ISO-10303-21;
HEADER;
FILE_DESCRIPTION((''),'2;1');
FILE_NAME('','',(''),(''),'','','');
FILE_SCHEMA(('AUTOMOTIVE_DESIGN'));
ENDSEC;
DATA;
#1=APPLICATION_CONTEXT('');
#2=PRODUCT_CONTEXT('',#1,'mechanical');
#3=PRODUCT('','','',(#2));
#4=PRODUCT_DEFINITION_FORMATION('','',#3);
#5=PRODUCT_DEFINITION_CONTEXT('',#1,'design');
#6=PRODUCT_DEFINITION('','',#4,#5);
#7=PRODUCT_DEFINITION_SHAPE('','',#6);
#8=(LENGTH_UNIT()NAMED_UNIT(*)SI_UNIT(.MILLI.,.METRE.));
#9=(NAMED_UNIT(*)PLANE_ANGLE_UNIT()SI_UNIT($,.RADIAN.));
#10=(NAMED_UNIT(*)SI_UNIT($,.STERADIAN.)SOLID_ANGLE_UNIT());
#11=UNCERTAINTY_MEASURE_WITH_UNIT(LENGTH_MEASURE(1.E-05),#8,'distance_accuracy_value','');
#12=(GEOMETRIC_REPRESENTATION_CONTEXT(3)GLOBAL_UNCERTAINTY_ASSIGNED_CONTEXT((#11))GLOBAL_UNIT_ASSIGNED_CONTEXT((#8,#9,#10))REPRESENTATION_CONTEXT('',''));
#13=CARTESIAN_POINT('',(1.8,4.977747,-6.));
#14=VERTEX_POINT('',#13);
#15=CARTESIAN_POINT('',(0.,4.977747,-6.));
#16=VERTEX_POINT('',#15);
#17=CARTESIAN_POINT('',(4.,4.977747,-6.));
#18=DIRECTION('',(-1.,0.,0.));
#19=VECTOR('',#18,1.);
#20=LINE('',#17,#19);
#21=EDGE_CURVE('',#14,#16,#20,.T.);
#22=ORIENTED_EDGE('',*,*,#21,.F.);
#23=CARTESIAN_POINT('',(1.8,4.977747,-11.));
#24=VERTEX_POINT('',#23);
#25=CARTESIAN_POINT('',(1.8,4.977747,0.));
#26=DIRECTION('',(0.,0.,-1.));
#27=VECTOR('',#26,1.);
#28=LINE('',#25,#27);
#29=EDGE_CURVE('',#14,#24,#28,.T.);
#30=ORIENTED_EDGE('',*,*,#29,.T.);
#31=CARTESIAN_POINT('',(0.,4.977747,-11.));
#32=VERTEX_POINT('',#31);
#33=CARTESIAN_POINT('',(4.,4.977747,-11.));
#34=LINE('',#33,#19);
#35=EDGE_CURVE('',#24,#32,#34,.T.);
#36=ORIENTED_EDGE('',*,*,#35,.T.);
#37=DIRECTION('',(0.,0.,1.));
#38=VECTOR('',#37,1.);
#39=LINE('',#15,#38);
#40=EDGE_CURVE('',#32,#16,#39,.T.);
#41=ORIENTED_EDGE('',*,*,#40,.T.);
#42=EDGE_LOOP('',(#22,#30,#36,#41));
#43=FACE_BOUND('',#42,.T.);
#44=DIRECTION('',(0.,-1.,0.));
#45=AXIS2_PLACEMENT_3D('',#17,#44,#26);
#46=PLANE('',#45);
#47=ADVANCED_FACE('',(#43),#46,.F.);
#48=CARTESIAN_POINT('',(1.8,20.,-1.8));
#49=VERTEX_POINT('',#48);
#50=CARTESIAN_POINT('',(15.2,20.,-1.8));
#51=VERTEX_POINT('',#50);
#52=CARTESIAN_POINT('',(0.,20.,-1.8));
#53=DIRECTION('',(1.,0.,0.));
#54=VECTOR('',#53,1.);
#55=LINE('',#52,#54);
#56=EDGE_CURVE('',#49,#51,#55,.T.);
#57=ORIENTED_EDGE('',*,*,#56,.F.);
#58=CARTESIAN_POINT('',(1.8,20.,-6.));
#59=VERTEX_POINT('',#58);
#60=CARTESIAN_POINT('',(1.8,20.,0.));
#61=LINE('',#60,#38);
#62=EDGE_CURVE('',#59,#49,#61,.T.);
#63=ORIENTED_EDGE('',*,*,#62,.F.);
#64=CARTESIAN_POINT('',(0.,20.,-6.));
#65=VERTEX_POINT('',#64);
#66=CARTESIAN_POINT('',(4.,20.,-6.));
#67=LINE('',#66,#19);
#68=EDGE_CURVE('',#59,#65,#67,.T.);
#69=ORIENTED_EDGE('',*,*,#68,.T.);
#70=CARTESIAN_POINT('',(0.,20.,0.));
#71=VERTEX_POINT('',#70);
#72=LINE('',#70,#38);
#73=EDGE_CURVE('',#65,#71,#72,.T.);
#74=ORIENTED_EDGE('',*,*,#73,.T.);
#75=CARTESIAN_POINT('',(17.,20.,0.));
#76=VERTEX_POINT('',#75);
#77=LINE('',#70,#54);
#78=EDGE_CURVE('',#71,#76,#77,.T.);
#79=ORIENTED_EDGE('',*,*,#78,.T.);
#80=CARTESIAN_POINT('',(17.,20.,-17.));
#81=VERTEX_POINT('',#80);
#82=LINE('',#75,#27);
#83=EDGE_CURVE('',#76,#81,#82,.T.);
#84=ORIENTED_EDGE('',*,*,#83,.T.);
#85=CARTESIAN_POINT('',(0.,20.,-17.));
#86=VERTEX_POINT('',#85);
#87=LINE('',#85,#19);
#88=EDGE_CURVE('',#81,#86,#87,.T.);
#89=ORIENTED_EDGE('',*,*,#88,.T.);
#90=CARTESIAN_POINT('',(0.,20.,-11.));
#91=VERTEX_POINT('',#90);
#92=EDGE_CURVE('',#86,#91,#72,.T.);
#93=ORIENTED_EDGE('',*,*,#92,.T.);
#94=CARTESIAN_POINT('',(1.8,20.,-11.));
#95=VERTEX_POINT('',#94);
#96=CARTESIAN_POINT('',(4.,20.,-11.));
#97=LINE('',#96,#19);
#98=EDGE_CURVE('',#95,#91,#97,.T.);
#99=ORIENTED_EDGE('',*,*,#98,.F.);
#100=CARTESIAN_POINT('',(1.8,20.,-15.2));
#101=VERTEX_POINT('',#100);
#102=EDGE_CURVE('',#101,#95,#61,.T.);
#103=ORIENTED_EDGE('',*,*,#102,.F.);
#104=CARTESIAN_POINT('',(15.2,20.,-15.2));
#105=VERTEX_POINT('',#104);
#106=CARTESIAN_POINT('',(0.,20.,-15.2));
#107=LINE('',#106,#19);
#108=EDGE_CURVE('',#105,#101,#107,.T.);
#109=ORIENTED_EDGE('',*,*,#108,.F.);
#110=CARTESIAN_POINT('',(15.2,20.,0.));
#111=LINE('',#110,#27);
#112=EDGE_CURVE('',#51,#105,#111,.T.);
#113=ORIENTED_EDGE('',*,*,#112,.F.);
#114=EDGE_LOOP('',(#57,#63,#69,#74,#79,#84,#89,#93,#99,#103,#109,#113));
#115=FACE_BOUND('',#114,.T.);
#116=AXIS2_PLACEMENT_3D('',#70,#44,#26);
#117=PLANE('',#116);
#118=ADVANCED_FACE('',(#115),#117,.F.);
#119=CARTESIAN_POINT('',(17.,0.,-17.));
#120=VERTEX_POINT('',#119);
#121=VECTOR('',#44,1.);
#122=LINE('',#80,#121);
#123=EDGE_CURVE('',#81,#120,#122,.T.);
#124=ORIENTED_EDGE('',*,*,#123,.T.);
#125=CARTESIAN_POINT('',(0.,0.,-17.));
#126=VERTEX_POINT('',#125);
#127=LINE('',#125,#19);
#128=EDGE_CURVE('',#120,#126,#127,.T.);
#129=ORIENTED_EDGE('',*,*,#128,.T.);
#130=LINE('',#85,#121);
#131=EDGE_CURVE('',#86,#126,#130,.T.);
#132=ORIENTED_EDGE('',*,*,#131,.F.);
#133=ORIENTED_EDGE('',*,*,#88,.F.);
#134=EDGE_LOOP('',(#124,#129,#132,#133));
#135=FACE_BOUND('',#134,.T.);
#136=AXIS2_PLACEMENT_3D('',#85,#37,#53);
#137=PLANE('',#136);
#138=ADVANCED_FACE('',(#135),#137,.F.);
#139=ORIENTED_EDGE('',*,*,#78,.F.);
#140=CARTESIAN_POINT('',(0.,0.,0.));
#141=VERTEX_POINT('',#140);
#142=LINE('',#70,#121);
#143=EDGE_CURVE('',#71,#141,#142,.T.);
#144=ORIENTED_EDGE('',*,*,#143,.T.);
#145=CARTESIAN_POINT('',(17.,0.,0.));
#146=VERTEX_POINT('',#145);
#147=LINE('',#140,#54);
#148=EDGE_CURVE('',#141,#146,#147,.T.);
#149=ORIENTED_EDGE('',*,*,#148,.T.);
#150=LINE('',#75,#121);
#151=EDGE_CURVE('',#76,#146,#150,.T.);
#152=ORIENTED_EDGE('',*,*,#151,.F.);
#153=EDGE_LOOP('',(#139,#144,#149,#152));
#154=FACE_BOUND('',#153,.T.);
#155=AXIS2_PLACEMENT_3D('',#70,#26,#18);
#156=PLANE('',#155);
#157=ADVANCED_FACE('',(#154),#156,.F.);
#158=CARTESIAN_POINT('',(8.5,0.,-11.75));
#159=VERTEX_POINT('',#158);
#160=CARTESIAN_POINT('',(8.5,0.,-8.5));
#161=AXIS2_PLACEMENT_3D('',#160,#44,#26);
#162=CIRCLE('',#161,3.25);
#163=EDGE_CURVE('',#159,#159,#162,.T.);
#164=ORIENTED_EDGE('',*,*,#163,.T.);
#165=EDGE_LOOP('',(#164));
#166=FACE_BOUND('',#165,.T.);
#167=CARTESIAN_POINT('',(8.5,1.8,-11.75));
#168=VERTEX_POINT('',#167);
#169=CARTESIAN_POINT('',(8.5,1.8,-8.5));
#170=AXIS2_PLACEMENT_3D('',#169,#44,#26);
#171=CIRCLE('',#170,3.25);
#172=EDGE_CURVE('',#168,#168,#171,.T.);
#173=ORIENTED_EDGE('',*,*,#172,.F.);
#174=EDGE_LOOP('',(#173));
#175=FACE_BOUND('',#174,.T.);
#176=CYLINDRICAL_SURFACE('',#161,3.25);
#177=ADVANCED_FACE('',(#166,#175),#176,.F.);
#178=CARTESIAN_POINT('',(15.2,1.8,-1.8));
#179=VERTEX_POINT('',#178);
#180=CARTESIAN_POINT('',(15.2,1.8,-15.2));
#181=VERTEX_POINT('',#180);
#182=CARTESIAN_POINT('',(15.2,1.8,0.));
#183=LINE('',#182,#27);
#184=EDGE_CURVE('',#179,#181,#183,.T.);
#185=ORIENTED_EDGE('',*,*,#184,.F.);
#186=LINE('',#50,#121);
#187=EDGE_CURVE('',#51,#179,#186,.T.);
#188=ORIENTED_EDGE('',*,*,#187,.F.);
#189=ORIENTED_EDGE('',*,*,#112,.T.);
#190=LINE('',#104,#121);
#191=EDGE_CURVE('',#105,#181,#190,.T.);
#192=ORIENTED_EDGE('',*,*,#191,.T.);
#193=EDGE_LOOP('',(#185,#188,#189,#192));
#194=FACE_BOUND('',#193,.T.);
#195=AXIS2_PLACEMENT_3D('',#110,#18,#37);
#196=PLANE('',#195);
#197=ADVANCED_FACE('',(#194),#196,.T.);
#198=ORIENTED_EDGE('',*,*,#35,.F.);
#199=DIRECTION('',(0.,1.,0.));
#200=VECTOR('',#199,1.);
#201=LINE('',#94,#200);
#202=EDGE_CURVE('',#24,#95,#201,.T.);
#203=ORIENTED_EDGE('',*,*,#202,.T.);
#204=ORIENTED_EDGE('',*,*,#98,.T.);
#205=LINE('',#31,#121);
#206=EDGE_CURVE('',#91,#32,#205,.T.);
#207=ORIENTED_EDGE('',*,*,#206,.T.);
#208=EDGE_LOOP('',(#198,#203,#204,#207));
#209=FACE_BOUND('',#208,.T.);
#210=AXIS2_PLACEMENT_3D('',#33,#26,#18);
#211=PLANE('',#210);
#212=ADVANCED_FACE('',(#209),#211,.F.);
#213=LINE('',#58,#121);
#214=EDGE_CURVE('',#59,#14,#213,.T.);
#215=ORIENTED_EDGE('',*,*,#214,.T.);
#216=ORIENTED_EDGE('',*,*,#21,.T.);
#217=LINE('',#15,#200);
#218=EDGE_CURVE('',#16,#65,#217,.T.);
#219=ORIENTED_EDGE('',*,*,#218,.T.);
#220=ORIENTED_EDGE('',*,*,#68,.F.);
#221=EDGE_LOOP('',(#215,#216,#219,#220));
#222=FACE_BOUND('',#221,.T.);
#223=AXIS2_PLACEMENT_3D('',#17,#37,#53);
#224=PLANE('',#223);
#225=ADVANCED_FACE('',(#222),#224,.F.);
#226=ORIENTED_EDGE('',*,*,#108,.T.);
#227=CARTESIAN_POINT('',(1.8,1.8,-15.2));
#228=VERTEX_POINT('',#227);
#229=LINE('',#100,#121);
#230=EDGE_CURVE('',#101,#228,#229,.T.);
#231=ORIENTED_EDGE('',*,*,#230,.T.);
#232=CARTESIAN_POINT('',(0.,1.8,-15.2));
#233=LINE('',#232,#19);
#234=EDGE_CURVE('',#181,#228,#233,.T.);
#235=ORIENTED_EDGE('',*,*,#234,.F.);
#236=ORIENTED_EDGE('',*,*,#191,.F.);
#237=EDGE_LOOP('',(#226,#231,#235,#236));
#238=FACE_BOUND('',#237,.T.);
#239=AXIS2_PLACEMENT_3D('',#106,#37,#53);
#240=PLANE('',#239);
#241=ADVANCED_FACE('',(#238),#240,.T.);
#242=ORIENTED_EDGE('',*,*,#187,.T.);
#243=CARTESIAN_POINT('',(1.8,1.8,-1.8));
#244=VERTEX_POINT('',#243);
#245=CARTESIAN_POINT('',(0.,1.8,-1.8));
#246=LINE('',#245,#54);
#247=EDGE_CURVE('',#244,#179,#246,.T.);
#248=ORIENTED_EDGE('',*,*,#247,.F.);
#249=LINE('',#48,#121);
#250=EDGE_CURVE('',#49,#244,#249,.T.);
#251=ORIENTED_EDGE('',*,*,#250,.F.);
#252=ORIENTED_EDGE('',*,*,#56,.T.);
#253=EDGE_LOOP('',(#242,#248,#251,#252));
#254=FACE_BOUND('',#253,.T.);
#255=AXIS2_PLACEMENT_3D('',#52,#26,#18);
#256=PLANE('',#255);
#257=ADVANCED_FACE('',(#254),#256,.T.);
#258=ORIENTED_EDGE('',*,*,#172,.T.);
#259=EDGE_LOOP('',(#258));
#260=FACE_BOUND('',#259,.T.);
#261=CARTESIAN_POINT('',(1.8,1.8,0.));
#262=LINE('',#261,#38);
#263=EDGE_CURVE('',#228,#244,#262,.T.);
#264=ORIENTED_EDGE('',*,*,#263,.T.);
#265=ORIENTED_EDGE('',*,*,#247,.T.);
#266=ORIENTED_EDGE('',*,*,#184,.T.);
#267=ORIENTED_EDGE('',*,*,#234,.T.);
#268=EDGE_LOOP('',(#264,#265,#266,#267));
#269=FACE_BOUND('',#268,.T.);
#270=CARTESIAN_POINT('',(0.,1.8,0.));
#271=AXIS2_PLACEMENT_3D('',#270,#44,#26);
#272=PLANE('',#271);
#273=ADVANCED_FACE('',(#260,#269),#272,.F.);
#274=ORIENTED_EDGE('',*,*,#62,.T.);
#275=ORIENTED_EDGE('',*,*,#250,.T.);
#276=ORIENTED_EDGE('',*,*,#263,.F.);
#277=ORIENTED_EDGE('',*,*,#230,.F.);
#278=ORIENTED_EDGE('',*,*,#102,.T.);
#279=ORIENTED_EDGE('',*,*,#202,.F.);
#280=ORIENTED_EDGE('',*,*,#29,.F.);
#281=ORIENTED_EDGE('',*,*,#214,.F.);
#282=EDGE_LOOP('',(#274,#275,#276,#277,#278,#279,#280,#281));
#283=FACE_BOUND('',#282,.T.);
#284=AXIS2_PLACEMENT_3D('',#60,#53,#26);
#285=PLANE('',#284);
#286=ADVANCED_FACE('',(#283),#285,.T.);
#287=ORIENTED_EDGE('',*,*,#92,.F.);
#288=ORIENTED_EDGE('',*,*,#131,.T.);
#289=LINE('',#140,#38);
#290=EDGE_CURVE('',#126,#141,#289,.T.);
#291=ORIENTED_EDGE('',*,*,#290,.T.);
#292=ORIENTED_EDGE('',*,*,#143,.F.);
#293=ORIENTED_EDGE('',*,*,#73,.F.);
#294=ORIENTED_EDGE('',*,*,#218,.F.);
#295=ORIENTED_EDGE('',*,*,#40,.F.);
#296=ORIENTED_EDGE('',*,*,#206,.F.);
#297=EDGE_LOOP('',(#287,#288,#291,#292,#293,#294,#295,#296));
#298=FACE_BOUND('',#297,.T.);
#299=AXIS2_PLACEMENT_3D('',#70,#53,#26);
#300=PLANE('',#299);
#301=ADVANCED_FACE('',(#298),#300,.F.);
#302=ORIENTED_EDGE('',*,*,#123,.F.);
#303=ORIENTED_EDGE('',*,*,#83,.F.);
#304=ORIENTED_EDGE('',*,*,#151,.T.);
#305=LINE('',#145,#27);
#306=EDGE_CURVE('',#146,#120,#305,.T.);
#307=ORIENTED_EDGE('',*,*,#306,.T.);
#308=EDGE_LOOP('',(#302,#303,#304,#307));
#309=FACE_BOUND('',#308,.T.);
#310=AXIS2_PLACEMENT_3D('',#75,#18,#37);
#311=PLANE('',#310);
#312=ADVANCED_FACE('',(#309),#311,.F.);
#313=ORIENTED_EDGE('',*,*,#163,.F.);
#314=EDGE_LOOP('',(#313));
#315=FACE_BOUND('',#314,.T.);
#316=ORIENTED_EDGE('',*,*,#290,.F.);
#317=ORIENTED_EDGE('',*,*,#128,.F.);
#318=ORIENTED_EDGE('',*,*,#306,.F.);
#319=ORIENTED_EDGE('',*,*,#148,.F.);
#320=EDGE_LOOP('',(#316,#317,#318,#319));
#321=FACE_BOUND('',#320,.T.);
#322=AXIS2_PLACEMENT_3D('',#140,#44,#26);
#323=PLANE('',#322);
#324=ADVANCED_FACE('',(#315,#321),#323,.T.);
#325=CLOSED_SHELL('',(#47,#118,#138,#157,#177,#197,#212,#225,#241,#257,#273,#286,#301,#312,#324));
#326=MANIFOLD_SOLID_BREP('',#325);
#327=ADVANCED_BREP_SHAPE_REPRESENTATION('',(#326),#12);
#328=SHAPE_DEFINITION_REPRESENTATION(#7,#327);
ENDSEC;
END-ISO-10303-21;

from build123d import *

# Parameters (mm, degrees)
SKETCH1_W                  = 17
SKETCH1_H                  = 17
BOSS_EXTRUDE1_DEPTH        = 20
SHELL1_T                   = -1.8
F_6_5_6_5_DIAMETER_HOLE1_D = 6.5
SKETCH5_W                  = 5
SKETCH5_H                  = 15.022252834
CUT_EXTRUDE1_DEPTH         = 4


with BuildPart() as part:
    # Sketch1 → Boss-Extrude1 (new body)
    with BuildSketch(Plane(origin=(0, 0, 0), x_dir=(1, 0, 0), z_dir=(0, 1, 0))):
        with Locations((8.5, 8.5)):
            Rectangle(SKETCH1_W, SKETCH1_H)
    extrude(amount=BOSS_EXTRUDE1_DEPTH)

    # Shell1
    shell1_openings = [part.faces().sort_by_distance(p)[0] for p in [
        (8.5, 20, -8.5),
    ]]
    offset(amount=SHELL1_T, openings=shell1_openings, kind=Kind.INTERSECTION)

    # Ø6.5 (6.5) Diameter Hole1 (through all)
    with Locations(Plane(origin=(0, 0, 0), x_dir=(-1, 0, 0), z_dir=(0, -1, 0))):
        with Locations((-8.5, 8.5)):
            Hole(F_6_5_6_5_DIAMETER_HOLE1_D / 2)

    # Sketch5 → Cut-Extrude1 (cut)
    with BuildSketch(Plane.ZY):
        with Locations((-8.5, 12.488873583)):
            Rectangle(SKETCH5_W, SKETCH5_H)
    extrude(amount=-CUT_EXTRUDE1_DEPTH, mode=Mode.SUBTRACT)


solid = part.part
